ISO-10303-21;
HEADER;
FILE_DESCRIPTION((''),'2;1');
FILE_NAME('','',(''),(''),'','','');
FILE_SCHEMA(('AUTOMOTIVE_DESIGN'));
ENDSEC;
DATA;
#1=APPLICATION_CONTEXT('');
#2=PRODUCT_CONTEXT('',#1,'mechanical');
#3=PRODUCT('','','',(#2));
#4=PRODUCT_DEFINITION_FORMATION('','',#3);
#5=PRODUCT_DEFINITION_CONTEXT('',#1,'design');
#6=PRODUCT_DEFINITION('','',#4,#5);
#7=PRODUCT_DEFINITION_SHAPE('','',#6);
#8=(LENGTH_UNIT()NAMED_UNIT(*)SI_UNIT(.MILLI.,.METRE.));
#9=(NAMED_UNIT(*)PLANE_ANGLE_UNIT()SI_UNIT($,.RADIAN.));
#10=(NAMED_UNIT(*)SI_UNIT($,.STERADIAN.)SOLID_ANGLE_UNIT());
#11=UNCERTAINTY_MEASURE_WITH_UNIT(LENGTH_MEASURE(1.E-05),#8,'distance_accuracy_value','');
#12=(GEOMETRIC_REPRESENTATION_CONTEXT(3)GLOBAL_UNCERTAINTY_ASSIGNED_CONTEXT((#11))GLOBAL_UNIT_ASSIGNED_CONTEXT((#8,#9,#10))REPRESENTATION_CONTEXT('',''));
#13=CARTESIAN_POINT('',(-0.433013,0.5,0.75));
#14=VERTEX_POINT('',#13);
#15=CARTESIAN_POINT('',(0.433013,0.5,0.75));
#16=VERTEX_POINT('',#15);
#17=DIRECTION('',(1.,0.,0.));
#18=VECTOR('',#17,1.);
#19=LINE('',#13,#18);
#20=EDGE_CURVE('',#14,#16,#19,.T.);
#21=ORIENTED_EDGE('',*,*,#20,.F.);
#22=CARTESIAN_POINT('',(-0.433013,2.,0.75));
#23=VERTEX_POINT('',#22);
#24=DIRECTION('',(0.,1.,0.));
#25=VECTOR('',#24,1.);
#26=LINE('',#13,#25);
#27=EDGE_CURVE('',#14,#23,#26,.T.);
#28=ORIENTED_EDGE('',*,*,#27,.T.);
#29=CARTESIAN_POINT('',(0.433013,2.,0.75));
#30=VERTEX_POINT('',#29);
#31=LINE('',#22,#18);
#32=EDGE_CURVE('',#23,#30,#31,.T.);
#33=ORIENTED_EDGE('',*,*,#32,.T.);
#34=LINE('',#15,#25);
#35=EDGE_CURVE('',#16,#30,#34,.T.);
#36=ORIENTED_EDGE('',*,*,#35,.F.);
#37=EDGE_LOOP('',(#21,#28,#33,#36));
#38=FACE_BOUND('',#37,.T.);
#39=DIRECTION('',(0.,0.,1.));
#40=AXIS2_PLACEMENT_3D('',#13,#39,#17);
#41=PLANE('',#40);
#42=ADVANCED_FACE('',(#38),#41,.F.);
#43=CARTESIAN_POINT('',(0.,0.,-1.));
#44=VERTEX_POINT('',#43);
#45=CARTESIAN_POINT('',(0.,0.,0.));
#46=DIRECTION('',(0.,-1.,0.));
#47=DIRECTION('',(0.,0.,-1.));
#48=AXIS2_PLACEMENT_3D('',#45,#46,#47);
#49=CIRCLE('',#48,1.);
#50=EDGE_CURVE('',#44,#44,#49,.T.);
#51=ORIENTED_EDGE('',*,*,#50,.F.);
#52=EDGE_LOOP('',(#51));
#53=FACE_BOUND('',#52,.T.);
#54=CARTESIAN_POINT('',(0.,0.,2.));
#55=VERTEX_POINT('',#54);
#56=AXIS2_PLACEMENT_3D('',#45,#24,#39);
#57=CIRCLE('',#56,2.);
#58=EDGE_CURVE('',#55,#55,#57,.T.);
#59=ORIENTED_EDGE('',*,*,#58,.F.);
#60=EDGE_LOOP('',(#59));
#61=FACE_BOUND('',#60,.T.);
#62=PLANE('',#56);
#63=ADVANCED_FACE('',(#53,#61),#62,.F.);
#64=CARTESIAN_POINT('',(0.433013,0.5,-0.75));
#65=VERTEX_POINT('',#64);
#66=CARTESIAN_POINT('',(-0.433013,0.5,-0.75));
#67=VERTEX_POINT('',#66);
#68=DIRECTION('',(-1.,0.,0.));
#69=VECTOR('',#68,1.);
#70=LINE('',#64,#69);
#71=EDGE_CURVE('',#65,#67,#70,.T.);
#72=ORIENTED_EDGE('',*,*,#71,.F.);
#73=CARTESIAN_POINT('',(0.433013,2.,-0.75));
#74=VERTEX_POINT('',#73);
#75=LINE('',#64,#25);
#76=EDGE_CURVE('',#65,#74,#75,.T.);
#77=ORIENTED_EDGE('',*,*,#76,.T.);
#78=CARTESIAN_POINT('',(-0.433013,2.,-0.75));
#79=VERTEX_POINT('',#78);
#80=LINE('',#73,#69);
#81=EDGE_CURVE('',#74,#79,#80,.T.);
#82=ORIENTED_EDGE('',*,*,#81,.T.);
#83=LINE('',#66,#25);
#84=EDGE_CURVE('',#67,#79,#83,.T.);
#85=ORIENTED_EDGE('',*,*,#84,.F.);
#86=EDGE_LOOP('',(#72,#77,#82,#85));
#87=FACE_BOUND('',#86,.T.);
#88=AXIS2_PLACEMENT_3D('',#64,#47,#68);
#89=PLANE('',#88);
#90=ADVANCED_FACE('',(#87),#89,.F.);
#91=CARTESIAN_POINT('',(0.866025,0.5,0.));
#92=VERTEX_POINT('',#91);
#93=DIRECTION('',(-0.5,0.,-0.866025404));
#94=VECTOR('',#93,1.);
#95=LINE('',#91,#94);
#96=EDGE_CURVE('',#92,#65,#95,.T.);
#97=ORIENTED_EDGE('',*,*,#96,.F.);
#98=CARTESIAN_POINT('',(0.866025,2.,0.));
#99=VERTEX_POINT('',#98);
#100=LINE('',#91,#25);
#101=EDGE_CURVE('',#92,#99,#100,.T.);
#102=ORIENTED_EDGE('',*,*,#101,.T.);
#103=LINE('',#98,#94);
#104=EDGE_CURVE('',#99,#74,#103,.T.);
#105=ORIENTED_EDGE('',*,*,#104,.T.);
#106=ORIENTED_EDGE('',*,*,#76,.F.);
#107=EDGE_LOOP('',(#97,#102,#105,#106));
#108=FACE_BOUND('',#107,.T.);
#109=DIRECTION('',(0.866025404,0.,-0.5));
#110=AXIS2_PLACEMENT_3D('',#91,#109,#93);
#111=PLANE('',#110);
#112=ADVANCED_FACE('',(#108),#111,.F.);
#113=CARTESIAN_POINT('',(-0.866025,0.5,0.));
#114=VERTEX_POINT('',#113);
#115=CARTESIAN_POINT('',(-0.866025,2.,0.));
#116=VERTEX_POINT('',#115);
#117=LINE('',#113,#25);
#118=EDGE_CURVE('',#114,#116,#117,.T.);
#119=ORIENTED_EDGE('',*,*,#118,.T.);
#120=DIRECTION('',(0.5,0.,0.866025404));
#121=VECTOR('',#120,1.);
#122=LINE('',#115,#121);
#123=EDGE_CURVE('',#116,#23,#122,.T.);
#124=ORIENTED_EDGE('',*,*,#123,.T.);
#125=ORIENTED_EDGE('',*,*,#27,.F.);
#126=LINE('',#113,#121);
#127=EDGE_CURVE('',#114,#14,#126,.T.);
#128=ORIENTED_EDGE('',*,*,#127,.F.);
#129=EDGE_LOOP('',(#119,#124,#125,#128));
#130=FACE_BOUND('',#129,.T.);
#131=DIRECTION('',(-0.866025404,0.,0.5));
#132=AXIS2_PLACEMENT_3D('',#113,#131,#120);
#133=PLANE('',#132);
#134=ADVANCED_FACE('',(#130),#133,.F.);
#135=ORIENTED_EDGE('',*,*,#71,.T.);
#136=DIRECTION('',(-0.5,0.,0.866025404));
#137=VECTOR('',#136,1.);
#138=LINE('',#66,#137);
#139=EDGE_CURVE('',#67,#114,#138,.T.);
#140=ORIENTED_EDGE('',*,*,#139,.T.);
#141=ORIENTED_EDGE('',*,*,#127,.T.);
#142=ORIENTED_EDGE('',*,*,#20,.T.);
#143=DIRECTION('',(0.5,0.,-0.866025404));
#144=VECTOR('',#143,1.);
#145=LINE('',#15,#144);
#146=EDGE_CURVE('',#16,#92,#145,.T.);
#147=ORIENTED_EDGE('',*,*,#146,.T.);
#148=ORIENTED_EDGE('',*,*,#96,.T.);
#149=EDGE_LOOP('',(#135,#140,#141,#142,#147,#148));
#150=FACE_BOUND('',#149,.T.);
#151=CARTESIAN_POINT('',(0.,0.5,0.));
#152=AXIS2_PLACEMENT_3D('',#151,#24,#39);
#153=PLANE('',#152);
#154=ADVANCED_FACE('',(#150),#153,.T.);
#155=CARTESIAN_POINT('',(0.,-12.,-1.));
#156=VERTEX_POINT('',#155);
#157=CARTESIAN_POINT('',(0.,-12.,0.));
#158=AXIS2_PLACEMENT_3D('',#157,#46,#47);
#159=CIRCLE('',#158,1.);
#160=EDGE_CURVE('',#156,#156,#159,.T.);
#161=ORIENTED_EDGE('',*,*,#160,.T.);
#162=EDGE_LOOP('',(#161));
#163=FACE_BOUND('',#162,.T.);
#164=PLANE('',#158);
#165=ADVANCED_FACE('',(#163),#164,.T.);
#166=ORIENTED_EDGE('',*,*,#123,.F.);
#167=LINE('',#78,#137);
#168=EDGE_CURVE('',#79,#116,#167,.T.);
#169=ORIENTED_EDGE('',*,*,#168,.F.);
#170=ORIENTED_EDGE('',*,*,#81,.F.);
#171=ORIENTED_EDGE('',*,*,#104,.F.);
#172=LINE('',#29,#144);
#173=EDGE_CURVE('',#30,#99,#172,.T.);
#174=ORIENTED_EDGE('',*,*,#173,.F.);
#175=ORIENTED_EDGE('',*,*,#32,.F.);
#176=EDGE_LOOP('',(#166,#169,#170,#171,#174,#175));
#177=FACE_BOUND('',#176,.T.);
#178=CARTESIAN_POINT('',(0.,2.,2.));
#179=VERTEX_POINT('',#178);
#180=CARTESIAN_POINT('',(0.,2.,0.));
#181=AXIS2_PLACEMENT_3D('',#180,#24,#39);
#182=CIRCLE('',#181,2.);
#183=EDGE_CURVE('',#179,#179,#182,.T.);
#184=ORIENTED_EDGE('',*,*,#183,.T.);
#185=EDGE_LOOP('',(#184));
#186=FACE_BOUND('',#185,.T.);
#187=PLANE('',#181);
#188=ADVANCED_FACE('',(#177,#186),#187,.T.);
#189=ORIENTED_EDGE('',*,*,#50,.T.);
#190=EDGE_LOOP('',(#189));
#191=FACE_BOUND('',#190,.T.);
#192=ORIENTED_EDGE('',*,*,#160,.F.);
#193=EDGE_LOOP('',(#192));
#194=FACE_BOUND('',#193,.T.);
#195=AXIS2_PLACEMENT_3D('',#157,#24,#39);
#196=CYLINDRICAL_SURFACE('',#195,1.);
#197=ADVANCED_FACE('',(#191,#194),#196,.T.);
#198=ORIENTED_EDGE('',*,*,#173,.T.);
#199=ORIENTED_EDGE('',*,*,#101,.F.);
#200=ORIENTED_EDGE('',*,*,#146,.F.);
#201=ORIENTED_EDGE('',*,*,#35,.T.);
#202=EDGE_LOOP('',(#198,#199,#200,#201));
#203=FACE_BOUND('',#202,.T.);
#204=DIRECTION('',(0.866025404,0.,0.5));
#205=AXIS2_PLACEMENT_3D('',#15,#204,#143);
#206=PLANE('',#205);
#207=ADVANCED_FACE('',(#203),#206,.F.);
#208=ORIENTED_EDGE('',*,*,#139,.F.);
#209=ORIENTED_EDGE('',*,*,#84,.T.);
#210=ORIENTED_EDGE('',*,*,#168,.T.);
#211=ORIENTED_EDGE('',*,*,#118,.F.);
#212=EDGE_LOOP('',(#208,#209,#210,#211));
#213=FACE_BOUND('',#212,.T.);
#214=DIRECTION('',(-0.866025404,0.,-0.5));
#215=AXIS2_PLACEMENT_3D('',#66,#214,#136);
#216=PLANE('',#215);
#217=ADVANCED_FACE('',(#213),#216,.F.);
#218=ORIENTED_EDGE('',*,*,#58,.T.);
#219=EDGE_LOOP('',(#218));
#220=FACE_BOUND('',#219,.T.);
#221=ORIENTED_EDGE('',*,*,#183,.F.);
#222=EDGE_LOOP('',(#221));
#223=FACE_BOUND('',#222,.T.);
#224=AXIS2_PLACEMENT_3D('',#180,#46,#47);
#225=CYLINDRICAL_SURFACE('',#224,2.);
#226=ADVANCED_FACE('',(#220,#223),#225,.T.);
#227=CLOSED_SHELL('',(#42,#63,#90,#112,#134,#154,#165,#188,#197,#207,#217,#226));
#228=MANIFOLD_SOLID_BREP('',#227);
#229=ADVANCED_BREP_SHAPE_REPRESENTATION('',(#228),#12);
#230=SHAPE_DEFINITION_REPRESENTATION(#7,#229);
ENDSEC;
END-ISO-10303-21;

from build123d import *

# Parameters (mm, degrees)
SKETCH_1_R            = 2
EXTRUDE_246_DEPTH     = 2
CUT_EXTRUDE_376_DEPTH = 1.5
SKETCH_3_R            = 1
EXTRUDE_477_DEPTH     = 12


with BuildPart() as part:
    # 草图1 → Extrude 246 (new body)
    with BuildSketch(Plane(origin=(0, 0, 0), x_dir=(1, 0, 0), z_dir=(0, 1, 0))):
        Circle(SKETCH_1_R)
    extrude(amount=EXTRUDE_246_DEPTH)

    # 草图2 → Cut-Extrude 376 (cut)
    with BuildSketch(Plane(origin=(0, 2, 0), x_dir=(1, 0, 0), z_dir=(0, 1, 0))):
        Polygon((0.866025404, 0), (0.433012702, 0.75), (-0.433012702, 0.75), (-0.866025404, 0), (-0.433012702, -0.75), (0.433012702, -0.75), align=None)
    extrude(amount=-CUT_EXTRUDE_376_DEPTH, mode=Mode.SUBTRACT)

    # 草图3 → Extrude 477 (add)
    with BuildSketch(Plane.XZ):
        Circle(SKETCH_3_R)
    extrude(amount=EXTRUDE_477_DEPTH)


solid = part.part
